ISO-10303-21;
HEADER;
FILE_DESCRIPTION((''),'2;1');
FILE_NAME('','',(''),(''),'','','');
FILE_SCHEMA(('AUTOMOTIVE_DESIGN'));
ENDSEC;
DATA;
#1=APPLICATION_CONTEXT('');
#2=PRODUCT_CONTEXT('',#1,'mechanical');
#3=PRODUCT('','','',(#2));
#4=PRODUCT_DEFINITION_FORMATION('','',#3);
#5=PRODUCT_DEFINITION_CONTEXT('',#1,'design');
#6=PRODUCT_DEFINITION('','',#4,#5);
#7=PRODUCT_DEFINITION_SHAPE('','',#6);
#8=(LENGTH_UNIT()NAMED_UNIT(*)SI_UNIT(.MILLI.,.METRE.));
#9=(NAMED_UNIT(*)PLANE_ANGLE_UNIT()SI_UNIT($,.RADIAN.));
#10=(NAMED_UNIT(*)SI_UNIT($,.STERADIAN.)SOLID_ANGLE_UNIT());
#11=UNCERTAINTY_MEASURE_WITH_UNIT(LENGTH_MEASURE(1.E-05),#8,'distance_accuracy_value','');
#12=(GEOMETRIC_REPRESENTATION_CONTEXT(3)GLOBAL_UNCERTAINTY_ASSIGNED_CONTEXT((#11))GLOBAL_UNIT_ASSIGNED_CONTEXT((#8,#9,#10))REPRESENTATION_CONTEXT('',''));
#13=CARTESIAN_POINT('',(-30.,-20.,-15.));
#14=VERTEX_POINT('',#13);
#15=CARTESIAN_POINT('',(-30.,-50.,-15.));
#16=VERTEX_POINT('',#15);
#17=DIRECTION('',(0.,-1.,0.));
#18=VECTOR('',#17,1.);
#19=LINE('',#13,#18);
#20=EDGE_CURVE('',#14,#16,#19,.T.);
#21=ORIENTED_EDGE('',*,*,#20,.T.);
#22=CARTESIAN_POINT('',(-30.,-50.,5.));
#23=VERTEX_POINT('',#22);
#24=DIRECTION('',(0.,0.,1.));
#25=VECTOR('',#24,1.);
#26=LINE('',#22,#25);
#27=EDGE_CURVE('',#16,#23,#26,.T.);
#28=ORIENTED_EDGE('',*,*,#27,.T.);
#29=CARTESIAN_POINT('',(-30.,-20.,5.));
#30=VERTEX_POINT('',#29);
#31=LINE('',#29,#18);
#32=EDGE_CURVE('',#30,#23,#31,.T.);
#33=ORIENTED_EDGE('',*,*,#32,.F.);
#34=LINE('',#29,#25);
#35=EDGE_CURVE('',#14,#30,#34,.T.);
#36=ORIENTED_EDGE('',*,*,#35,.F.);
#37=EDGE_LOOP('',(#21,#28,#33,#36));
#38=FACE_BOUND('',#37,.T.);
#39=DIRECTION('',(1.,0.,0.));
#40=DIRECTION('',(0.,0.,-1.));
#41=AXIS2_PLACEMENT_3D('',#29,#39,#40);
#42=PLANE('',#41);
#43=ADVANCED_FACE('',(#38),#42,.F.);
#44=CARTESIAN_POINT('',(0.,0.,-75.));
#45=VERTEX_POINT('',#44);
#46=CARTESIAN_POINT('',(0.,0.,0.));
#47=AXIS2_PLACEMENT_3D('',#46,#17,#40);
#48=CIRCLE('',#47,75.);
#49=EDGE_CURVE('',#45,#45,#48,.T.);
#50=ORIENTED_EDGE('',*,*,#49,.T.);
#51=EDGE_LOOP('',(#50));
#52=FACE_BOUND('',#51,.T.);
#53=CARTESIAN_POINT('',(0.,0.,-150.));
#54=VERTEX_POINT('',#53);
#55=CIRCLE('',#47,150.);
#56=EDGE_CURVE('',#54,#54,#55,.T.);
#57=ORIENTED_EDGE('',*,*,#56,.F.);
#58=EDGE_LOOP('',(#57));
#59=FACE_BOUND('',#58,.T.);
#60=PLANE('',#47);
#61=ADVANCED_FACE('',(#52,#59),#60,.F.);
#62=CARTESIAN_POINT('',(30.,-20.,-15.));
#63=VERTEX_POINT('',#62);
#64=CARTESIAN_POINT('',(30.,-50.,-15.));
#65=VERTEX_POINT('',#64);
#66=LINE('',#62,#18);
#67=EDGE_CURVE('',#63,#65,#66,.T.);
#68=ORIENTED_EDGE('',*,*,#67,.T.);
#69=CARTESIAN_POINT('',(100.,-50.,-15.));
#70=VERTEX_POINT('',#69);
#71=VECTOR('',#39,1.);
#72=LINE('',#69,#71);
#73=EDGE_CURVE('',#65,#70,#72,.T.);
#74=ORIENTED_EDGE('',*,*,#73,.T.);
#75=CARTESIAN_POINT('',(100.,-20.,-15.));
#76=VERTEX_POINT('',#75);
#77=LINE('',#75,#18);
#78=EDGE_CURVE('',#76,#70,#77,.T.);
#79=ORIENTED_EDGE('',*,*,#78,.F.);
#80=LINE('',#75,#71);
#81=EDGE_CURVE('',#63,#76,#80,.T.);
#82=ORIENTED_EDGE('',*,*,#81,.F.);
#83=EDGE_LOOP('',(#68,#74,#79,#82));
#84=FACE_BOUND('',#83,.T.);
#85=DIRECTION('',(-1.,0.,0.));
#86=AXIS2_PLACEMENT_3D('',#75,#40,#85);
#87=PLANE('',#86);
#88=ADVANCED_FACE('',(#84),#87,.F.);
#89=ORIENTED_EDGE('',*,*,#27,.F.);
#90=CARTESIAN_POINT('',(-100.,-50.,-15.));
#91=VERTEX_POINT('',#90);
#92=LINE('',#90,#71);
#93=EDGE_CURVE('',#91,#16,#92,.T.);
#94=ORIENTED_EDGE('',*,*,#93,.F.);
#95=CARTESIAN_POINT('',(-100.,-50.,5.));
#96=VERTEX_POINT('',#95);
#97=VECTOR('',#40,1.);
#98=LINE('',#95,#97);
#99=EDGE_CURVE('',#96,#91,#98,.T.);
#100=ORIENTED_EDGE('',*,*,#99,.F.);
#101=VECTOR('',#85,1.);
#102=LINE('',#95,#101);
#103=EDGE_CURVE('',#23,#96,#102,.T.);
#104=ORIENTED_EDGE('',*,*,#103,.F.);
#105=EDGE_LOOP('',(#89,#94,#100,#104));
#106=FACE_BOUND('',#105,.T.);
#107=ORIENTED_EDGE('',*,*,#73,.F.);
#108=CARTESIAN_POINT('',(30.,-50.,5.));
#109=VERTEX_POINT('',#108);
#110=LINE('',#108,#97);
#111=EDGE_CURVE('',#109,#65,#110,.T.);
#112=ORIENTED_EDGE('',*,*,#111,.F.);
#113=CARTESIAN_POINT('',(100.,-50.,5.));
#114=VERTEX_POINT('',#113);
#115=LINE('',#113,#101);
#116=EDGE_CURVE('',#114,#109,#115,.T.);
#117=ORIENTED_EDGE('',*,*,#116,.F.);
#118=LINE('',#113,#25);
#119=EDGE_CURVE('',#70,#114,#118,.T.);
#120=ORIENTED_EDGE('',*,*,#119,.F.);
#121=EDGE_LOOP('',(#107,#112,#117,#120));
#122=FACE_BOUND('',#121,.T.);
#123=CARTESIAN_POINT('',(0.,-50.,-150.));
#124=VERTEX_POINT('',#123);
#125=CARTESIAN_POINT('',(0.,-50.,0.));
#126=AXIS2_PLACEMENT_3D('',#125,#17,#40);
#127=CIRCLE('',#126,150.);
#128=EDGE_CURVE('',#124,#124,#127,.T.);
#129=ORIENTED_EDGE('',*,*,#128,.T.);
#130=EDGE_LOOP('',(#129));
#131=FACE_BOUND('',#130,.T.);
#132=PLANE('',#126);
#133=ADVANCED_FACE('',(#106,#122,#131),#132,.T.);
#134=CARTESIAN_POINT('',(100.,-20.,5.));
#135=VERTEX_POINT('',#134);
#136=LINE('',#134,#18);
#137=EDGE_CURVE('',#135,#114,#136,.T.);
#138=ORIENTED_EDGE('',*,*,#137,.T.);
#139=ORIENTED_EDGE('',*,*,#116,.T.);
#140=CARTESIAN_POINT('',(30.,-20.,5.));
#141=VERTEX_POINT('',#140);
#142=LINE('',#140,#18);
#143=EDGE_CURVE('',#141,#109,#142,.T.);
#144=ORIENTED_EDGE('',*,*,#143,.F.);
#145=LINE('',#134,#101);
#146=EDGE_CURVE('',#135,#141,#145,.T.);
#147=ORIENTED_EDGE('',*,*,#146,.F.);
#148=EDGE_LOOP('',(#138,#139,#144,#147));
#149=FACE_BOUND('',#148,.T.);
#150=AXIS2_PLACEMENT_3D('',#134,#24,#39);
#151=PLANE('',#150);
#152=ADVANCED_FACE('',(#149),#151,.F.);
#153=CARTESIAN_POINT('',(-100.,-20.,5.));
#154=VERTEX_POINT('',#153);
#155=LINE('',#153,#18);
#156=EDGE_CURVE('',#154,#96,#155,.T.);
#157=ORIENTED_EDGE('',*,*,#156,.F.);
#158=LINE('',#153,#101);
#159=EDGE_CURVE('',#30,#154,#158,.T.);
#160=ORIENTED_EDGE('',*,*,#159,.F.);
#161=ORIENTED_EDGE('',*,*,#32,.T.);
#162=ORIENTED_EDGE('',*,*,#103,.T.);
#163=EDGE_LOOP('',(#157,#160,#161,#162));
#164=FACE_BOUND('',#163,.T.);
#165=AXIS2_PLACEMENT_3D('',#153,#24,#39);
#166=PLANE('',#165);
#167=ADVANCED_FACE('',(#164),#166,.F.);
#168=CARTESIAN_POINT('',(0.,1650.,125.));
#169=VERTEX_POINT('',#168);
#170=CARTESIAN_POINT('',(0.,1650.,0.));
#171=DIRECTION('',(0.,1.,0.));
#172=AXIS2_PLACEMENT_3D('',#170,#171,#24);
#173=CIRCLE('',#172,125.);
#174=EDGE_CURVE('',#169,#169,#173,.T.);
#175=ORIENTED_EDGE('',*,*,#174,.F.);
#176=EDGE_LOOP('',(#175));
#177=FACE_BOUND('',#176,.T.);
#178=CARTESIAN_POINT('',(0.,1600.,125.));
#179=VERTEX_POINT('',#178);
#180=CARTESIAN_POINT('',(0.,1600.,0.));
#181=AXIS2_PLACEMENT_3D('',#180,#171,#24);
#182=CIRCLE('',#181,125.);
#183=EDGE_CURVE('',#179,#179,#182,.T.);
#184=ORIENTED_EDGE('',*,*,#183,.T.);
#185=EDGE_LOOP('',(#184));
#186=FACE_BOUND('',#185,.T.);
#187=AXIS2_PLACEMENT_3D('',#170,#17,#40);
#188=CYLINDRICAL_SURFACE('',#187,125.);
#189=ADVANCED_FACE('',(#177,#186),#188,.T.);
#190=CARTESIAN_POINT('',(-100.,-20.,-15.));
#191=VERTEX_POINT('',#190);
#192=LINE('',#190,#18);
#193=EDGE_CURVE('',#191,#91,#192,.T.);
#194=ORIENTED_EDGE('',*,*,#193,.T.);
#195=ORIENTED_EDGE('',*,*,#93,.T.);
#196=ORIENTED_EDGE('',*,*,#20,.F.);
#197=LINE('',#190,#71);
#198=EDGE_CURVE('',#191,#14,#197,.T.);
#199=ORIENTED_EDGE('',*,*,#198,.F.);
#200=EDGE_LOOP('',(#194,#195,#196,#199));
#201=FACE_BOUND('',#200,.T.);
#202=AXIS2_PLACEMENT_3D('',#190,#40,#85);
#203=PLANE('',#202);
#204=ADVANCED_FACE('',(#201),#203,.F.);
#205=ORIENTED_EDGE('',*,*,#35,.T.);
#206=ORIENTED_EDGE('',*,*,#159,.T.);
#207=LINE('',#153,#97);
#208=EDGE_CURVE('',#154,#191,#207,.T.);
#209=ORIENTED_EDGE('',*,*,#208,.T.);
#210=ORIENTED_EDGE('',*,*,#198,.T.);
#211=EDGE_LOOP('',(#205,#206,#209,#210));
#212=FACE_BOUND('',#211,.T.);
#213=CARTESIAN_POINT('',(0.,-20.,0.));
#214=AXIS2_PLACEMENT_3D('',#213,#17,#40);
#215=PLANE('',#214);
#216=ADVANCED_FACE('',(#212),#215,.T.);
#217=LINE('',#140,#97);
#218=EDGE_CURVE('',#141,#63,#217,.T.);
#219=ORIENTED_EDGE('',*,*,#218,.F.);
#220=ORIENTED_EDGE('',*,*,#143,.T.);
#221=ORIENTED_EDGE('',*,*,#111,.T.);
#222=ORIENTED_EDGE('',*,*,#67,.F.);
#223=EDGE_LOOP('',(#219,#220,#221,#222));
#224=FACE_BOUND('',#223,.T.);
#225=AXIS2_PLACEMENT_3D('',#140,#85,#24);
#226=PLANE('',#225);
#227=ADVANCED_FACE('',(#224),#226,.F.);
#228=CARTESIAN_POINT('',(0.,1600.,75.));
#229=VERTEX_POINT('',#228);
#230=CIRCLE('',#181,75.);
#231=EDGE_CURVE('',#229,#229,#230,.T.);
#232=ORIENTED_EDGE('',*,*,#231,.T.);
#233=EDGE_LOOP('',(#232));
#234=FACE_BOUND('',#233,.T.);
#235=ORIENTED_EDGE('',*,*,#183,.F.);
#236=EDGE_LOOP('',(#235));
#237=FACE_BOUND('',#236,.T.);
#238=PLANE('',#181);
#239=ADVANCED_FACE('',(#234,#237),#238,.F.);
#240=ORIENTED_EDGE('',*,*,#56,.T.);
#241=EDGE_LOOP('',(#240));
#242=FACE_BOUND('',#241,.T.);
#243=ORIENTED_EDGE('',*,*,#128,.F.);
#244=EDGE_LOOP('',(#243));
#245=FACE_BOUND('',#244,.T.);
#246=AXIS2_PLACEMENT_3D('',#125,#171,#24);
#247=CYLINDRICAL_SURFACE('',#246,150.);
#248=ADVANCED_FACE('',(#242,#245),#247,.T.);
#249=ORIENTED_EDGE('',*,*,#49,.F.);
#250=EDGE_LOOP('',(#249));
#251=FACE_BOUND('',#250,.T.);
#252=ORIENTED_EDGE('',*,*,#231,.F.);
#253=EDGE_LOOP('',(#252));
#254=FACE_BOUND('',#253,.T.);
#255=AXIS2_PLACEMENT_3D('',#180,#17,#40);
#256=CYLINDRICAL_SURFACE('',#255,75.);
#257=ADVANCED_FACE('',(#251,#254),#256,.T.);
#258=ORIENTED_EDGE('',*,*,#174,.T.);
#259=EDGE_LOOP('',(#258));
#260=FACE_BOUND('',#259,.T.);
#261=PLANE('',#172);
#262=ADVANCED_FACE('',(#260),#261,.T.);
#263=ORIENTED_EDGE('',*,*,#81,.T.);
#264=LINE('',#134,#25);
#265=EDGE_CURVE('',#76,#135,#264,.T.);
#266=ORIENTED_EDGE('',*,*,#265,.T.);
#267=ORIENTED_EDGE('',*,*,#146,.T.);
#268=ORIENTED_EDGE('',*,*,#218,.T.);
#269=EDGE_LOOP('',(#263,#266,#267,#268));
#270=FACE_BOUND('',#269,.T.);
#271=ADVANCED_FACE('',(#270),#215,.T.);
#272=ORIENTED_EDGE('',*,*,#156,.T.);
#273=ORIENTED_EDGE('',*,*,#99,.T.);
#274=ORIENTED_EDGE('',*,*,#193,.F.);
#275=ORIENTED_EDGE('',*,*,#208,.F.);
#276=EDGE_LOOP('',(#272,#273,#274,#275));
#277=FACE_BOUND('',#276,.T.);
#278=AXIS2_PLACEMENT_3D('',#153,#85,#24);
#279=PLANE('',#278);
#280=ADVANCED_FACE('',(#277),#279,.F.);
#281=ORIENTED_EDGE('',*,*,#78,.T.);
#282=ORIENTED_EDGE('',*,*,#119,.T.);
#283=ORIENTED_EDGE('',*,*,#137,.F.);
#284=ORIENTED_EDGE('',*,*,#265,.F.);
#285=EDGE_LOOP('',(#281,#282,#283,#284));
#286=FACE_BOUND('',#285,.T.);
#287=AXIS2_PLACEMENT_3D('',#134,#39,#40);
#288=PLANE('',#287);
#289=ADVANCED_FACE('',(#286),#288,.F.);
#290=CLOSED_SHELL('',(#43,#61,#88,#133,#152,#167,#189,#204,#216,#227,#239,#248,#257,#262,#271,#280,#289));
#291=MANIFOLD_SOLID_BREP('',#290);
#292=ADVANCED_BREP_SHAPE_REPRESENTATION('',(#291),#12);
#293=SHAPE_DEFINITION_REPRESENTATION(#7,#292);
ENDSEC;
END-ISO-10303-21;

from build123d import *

# Parameters (mm, degrees)
CROQUIS1_R              = 75
SALIENTE_EXTRUIR1_DEPTH = 1600
CROQUIS2_R              = 125
SALIENTE_EXTRUIR2_DEPTH = 50
CROQUIS3_R              = 150
SALIENTE_EXTRUIR3_DEPTH = 50
CROQUIS4_W              = 70
CROQUIS4_H              = 20
CORTAR_EXTRUIR1_DEPTH   = 30


with BuildPart() as part:
    # Croquis1 → Saliente-Extruir1 (new body)
    with BuildSketch(Plane(origin=(0, 0, 0), x_dir=(1, 0, 0), z_dir=(0, 1, 0))):
        with Locations(Location((0, 0, 0), (0, 0, 270))):
            Circle(CROQUIS1_R)
    extrude(amount=SALIENTE_EXTRUIR1_DEPTH)

    # Croquis2 → Saliente-Extruir2 (add)
    with BuildSketch(Plane(origin=(0, 1600, 0), x_dir=(1, 0, 0), z_dir=(0, 1, 0))):
        with Locations(Location((0, 0, 0), (0, 0, 270))):
            Circle(CROQUIS2_R)
    extrude(amount=SALIENTE_EXTRUIR2_DEPTH)

    # Croquis3 → Saliente-Extruir3 (add)
    with BuildSketch(Plane.XZ):
        with Locations(Location((0, 0, 0), (0, 0, 270))):
            Circle(CROQUIS3_R)
    extrude(amount=SALIENTE_EXTRUIR3_DEPTH)

    # Croquis4 → Cortar-Extruir1 (cut)
    with BuildSketch(Plane.XZ.offset(50)):
        with Locations((-65, -5)):
            Rectangle(CROQUIS4_W, CROQUIS4_H)
        with Locations((65, -5)):
            Rectangle(CROQUIS4_W, CROQUIS4_H)
    extrude(amount=-CORTAR_EXTRUIR1_DEPTH, mode=Mode.SUBTRACT)


solid = part.part
